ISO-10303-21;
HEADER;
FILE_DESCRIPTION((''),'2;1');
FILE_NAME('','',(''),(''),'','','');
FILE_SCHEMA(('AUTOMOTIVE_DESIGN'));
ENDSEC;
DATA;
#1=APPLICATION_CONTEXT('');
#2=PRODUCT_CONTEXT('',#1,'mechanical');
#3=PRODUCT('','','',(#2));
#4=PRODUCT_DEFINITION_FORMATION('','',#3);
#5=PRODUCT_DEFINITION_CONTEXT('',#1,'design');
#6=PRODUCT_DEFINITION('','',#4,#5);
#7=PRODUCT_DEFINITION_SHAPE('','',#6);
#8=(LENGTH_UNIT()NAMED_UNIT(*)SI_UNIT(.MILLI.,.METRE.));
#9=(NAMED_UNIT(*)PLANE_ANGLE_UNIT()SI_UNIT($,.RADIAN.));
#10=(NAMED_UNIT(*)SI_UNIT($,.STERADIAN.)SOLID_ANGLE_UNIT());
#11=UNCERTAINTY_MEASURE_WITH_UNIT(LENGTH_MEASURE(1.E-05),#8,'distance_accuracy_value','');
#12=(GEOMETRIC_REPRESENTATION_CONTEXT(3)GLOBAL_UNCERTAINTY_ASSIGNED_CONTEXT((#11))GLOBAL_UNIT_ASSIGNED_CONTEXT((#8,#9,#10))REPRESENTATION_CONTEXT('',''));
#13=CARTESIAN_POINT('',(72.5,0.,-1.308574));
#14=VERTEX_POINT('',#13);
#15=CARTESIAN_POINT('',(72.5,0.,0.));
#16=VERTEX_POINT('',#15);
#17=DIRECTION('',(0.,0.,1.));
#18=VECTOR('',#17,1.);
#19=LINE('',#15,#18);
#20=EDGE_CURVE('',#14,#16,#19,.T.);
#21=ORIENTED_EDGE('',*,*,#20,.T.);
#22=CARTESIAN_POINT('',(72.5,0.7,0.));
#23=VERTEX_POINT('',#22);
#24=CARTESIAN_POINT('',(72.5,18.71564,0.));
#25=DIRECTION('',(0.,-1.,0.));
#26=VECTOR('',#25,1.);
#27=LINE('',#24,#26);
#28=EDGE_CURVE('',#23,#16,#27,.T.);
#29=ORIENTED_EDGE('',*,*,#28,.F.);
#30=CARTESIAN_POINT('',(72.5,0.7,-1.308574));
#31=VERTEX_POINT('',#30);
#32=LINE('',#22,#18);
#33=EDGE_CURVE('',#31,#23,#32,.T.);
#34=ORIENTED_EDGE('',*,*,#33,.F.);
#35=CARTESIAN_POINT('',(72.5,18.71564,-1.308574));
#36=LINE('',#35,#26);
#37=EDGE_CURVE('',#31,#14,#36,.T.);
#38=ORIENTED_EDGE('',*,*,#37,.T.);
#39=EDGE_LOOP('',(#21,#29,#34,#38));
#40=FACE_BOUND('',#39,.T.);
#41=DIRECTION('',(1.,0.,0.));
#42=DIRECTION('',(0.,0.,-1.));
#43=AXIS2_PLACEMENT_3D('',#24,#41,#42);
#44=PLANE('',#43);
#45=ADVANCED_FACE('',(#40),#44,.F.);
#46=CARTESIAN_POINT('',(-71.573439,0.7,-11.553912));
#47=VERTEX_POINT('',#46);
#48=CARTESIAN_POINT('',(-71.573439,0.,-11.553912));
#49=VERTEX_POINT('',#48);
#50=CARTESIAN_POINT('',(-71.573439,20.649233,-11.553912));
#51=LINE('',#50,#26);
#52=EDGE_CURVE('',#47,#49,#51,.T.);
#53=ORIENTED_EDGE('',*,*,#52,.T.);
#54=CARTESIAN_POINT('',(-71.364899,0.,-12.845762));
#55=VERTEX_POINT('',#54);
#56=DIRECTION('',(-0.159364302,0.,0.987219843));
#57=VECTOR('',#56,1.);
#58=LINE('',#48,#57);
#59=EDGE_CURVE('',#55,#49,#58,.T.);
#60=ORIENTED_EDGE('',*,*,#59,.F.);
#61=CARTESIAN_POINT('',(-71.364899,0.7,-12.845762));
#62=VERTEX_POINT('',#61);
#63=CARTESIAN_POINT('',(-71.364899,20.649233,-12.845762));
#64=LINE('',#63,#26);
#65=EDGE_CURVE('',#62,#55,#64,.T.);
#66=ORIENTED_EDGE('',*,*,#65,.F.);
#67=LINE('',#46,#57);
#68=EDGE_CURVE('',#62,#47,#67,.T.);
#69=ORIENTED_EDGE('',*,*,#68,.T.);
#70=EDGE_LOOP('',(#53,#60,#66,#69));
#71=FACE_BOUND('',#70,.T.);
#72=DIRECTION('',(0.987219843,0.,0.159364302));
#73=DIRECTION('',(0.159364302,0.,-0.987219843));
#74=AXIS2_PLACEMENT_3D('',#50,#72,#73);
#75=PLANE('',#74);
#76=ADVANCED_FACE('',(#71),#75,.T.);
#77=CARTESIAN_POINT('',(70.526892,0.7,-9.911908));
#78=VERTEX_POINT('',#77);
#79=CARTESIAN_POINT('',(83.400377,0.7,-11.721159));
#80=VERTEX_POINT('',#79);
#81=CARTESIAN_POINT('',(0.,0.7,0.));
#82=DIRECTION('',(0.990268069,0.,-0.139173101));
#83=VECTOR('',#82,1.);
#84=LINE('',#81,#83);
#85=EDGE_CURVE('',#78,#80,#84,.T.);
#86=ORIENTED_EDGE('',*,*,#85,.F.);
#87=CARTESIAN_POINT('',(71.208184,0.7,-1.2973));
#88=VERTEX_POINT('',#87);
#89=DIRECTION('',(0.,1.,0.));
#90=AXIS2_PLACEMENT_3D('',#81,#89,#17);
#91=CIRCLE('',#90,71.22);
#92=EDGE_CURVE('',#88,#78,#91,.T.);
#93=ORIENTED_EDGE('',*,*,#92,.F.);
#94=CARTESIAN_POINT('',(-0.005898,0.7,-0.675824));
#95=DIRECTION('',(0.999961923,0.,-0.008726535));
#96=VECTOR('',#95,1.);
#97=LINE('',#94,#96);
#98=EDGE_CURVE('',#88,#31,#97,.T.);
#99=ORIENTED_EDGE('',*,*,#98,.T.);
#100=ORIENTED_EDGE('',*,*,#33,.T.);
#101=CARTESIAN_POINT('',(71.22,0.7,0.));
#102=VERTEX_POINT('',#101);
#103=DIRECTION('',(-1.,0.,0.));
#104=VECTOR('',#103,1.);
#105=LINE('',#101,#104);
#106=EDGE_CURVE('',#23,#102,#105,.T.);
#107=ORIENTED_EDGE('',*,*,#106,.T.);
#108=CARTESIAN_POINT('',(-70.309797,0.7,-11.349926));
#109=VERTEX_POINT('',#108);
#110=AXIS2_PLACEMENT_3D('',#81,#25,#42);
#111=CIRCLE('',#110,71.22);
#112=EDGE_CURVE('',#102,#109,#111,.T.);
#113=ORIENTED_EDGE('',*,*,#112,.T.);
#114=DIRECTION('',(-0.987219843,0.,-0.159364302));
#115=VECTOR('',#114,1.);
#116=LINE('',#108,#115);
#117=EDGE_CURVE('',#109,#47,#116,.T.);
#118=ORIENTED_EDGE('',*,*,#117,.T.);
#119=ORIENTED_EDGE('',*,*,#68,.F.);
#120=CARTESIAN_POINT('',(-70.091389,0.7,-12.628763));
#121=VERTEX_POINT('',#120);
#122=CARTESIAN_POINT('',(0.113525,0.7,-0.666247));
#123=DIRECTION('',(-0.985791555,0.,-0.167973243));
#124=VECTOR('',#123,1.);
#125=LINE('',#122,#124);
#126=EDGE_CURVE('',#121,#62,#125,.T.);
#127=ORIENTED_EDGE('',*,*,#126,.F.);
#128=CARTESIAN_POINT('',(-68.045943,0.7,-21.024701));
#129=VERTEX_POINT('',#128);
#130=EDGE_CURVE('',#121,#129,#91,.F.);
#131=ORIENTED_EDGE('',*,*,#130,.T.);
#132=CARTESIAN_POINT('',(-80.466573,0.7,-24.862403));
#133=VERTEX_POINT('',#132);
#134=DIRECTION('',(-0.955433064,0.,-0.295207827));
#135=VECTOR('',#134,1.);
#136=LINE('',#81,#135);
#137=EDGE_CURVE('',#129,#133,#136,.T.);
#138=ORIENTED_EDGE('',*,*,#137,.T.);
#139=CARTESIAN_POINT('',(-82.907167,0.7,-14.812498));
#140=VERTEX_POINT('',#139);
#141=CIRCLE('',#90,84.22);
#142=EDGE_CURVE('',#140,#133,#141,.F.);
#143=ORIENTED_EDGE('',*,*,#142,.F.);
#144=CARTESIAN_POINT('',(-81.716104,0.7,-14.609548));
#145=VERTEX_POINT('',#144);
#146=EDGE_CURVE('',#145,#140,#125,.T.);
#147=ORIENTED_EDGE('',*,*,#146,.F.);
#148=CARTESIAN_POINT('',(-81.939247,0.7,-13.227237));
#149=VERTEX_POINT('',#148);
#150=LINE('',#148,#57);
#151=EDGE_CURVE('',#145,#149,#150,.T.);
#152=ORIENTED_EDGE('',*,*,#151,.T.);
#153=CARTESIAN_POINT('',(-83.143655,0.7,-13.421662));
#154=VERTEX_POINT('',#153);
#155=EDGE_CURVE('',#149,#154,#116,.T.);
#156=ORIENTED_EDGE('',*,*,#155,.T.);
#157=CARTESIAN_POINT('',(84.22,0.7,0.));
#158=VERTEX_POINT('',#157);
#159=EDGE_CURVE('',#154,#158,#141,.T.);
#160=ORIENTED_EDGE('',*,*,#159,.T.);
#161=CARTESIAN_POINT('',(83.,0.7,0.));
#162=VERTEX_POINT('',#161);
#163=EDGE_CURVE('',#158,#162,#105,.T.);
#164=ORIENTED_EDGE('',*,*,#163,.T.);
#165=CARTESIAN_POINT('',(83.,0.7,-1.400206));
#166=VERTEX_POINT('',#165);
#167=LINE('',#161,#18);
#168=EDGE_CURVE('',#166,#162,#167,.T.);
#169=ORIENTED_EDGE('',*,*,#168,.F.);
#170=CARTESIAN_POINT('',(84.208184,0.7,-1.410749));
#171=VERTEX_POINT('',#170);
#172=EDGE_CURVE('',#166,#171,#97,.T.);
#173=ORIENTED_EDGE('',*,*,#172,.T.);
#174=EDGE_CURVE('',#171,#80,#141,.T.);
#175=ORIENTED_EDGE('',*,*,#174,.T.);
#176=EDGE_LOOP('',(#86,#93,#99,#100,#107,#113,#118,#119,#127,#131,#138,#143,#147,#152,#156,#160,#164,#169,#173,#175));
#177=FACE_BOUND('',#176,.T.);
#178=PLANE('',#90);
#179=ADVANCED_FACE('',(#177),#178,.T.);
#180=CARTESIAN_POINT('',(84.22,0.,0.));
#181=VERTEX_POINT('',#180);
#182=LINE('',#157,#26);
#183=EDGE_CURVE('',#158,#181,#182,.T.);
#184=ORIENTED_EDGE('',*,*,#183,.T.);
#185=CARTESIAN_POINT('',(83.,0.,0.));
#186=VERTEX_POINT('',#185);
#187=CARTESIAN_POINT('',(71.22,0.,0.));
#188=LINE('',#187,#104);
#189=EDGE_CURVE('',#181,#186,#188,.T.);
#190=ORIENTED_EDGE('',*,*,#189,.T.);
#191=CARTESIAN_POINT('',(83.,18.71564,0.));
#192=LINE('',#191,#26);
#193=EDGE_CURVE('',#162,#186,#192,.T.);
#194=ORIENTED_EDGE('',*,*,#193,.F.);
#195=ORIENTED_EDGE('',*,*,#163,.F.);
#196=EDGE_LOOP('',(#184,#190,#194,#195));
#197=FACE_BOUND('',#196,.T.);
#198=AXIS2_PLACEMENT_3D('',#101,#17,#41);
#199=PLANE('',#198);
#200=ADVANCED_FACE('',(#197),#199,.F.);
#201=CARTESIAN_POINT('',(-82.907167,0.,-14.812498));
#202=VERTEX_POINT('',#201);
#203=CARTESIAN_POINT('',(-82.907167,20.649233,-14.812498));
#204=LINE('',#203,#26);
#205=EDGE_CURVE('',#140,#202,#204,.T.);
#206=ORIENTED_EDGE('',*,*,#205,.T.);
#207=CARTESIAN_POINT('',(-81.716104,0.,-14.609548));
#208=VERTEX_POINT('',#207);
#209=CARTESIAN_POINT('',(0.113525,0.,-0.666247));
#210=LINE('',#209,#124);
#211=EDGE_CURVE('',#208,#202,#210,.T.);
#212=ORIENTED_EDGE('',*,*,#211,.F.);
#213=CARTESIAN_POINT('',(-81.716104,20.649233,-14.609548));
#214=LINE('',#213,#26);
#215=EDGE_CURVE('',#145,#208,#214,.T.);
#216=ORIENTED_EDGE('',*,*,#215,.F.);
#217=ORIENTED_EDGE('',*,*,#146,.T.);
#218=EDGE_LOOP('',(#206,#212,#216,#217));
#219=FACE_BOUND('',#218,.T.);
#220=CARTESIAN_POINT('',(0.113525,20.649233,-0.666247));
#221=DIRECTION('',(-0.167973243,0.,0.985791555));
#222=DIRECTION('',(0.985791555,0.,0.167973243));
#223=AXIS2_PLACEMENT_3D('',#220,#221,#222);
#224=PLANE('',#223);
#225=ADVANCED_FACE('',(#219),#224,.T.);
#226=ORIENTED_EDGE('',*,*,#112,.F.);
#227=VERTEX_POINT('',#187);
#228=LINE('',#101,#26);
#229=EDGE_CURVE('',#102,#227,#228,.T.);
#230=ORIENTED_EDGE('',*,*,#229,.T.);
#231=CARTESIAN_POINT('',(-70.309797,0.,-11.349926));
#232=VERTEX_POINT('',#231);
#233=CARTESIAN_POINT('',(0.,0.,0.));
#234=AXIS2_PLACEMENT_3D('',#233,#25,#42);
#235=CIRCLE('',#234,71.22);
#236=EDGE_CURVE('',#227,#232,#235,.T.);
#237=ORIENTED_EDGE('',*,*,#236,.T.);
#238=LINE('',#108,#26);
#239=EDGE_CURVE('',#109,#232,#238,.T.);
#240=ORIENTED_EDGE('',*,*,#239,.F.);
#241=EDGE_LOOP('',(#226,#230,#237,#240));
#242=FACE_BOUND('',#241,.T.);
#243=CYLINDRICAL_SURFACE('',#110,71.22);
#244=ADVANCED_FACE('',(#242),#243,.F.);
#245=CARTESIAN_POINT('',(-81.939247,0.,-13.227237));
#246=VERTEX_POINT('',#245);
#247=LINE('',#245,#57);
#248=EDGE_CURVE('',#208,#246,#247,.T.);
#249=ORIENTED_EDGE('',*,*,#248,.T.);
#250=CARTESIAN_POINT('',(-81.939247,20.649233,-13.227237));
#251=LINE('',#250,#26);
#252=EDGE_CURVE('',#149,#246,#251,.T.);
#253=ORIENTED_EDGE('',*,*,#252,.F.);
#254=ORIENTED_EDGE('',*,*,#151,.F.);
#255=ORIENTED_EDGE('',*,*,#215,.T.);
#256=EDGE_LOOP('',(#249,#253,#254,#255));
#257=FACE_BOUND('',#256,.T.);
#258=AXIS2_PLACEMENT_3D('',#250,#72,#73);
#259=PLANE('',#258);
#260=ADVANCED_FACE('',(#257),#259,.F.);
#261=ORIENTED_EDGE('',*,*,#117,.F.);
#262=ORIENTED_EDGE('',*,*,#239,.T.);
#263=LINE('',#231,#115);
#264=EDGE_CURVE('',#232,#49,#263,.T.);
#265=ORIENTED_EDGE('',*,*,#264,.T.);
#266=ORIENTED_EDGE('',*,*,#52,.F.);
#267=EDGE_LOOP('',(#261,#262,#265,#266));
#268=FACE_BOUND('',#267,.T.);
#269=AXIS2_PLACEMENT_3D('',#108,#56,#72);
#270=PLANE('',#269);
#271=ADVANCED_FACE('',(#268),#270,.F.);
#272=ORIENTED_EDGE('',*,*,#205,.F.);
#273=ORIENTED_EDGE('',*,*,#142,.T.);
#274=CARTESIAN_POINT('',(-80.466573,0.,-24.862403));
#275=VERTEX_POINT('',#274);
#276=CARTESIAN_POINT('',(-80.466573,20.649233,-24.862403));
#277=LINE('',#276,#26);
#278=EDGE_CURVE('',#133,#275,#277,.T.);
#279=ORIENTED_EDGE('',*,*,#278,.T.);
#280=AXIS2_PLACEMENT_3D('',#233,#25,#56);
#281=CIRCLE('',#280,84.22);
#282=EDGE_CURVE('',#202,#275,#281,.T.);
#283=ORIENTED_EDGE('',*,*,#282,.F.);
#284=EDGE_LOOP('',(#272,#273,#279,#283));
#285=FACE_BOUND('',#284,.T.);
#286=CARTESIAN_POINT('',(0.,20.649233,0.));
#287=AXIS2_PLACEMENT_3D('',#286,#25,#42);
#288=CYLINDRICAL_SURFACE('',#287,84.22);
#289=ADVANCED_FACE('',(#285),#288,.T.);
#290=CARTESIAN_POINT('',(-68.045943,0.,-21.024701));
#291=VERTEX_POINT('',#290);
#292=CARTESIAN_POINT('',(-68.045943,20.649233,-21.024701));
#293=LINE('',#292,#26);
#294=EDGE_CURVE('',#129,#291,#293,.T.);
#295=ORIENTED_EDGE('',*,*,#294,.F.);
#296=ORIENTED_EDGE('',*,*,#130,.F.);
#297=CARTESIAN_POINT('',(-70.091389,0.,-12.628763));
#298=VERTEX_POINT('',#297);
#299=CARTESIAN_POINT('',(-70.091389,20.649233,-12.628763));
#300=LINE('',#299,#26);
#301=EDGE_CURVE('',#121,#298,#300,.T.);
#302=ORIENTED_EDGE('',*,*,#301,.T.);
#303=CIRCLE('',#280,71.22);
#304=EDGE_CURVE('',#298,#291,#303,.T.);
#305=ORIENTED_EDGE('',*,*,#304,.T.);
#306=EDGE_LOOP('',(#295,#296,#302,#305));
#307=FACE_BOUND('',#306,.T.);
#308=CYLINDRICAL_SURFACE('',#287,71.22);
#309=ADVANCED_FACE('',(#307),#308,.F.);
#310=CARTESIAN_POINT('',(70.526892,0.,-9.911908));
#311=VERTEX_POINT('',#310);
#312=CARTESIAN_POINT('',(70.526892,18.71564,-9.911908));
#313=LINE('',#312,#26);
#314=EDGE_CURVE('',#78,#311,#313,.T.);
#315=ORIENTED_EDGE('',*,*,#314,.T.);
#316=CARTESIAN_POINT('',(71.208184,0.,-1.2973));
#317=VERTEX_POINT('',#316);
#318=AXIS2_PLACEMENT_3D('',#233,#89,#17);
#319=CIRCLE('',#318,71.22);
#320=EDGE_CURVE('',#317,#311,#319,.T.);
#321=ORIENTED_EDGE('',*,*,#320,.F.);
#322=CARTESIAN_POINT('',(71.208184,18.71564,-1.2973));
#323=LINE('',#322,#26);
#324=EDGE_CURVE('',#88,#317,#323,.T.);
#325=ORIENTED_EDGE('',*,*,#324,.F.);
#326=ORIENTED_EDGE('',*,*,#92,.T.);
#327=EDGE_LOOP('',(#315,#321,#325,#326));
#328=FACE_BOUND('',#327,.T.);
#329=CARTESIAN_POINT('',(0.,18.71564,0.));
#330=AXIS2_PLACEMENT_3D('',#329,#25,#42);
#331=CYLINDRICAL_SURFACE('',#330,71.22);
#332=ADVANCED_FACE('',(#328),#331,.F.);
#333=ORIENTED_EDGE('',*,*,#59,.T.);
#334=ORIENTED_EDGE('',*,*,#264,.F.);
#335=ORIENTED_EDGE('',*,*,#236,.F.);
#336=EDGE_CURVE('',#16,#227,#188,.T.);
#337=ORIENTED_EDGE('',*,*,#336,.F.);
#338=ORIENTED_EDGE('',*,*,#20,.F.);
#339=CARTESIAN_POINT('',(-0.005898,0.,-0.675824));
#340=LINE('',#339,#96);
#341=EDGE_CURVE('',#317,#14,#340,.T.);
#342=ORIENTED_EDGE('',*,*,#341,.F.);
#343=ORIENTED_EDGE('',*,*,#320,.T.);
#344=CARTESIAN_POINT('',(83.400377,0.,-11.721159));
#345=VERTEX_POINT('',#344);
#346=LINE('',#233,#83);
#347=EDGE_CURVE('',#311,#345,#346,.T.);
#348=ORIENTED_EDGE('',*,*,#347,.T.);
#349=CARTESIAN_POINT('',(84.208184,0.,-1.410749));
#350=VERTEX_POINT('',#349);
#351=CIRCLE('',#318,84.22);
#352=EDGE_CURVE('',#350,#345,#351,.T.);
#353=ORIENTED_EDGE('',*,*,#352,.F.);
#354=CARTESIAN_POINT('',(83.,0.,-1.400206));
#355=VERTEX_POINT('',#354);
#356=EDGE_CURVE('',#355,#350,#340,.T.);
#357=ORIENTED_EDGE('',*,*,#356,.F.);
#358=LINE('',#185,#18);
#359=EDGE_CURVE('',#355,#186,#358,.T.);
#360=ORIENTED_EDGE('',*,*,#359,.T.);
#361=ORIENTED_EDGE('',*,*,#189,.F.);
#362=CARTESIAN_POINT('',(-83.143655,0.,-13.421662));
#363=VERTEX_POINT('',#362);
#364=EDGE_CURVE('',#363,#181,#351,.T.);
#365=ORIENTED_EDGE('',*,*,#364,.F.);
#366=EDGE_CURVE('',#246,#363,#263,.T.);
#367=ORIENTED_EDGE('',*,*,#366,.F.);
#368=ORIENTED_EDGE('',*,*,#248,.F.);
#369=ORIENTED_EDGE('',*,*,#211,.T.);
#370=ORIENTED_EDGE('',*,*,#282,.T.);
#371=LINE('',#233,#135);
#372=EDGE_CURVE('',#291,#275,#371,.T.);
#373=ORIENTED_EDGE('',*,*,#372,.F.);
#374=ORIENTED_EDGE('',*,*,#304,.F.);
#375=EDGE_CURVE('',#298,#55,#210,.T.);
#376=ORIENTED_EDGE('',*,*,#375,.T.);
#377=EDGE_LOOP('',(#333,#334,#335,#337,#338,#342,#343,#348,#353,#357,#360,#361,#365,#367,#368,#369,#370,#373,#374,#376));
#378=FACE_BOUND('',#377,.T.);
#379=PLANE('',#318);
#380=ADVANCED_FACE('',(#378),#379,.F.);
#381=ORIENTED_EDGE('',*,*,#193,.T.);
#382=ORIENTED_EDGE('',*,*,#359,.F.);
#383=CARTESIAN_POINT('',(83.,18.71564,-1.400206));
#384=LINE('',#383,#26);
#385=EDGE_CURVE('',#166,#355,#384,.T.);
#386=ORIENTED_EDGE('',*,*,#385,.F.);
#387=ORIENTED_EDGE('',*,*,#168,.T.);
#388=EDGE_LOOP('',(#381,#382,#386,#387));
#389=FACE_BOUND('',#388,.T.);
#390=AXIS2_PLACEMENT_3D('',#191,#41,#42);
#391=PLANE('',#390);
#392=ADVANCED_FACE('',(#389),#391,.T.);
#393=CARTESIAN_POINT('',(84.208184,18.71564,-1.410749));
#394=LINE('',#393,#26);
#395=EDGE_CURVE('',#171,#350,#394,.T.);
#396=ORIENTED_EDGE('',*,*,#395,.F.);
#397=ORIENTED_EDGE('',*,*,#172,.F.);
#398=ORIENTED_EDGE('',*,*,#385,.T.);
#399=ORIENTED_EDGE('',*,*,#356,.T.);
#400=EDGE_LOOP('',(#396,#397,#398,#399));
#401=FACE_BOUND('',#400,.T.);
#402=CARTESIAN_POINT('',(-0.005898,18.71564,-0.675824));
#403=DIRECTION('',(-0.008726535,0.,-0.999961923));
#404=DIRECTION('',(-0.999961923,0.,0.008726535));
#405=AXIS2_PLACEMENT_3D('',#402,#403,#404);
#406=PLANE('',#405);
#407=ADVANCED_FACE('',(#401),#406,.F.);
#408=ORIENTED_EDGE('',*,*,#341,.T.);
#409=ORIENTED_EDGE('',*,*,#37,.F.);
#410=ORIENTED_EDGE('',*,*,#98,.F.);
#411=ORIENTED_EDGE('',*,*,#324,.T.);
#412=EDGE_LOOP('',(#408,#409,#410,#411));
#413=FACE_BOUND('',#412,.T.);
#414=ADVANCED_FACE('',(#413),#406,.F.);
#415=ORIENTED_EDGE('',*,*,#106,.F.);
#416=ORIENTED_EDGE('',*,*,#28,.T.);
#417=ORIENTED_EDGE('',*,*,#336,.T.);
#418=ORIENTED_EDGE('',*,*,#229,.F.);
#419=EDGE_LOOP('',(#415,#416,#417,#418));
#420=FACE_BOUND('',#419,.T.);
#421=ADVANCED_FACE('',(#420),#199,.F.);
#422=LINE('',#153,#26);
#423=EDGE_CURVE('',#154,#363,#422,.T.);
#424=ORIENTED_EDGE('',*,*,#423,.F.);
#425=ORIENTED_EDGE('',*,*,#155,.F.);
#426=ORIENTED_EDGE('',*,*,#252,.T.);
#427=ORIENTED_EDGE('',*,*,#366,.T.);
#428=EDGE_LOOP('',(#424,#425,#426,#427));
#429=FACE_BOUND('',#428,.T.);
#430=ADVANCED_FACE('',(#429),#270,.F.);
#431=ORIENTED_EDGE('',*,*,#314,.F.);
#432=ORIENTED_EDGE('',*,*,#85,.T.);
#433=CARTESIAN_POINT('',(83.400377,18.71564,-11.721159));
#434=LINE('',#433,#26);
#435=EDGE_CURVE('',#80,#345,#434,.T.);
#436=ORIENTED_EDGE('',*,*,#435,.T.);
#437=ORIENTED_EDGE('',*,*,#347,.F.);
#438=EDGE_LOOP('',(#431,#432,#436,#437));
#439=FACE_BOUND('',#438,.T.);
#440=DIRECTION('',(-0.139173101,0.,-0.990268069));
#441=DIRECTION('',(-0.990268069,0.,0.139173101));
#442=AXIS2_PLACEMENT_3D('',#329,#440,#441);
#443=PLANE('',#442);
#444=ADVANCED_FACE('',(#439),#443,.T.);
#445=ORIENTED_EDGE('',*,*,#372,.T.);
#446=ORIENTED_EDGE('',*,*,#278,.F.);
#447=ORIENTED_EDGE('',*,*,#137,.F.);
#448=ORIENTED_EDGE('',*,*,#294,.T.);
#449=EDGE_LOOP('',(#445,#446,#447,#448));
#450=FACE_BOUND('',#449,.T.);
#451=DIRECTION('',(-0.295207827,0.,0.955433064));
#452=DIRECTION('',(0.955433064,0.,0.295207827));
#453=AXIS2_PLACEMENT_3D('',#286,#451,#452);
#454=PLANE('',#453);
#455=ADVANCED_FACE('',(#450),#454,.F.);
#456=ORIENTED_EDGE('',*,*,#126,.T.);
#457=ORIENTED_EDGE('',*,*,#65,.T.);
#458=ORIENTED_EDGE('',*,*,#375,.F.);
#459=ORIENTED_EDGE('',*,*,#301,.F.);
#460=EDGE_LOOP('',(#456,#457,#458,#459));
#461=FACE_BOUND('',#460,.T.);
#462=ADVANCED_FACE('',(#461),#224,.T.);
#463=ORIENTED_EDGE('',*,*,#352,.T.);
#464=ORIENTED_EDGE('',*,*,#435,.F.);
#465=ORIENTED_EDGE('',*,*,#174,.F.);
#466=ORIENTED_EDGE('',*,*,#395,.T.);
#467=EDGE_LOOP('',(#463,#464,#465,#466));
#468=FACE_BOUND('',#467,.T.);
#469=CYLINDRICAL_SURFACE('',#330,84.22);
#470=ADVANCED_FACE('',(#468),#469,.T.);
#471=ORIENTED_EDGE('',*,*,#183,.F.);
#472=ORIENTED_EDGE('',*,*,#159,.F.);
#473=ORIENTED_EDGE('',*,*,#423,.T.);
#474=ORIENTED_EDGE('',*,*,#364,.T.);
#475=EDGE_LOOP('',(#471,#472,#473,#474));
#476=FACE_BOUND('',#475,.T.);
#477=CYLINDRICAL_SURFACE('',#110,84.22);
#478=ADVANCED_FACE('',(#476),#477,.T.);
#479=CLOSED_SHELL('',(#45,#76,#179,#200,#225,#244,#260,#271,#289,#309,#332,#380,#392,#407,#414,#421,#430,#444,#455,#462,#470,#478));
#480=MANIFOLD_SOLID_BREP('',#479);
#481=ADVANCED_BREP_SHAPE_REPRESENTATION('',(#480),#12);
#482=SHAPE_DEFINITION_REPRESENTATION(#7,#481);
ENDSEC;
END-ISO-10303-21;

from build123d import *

# Parameters (mm, degrees)
BOSS_EXTRUDE1_DEPTH = 0.7
NOTCH_DEPTH         = 0.7


with BuildPart() as part:
    # Sketch3 → Boss-Extrude1 (new body)
    with BuildSketch(Plane(origin=(0, 0, 0), x_dir=(1, 0, 0), z_dir=(0, 1, 0))):
        with BuildLine():
            Line((-70.309797243, 11.349925621), (-83.143655207, 13.421661553))
            ThreePointArc((-83.143655207, 13.421661553), (-6.732375453, -83.950482552), (84.22, 0))
            Line((84.22, 0), (71.22, 0))
            ThreePointArc((71.22, 0), (-5.693181902, -70.992084628), (-70.309797243, 11.349925621))
        make_face()
    extrude(amount=BOSS_EXTRUDE1_DEPTH)

    # Sketch4 → notch (add)
    with BuildSketch(Plane(origin=(0, 0, 0), x_dir=(1, 0, 0), z_dir=(0, 1, 0))):
        Polygon((83, 1.400205806), (72.5, 1.308573694), (72.5, 0), (83, 0), align=None)
        with BuildLine():
            Line((83.400376749, 11.721158563), (70.526891856, 9.91190825))
            ThreePointArc((70.526891856, 9.91190825), (70.998315276, 5.614946842), (71.208183604, 1.297300183))
            Line((71.208183604, 1.297300183), (72.5, 1.308573694))
            Line((72.5, 1.308573694), (83, 1.400205806))
            Line((83, 1.400205806), (84.208183604, 1.410749464))
            ThreePointArc((84.208183604, 1.410749464), (83.962691178, 6.578365305), (83.400376749, 11.721158563))
        make_face()
    notch = extrude(amount=NOTCH_DEPTH)

    # Mirror1: notch across plane
    add(notch.mirror(Plane(origin=(0, 0, 0), x_dir=(-0.07993796548331146, 0, 0.9967998403262256), z_dir=(-0.9967998403262257, 0, -0.07993796548331145))))


solid = part.part
